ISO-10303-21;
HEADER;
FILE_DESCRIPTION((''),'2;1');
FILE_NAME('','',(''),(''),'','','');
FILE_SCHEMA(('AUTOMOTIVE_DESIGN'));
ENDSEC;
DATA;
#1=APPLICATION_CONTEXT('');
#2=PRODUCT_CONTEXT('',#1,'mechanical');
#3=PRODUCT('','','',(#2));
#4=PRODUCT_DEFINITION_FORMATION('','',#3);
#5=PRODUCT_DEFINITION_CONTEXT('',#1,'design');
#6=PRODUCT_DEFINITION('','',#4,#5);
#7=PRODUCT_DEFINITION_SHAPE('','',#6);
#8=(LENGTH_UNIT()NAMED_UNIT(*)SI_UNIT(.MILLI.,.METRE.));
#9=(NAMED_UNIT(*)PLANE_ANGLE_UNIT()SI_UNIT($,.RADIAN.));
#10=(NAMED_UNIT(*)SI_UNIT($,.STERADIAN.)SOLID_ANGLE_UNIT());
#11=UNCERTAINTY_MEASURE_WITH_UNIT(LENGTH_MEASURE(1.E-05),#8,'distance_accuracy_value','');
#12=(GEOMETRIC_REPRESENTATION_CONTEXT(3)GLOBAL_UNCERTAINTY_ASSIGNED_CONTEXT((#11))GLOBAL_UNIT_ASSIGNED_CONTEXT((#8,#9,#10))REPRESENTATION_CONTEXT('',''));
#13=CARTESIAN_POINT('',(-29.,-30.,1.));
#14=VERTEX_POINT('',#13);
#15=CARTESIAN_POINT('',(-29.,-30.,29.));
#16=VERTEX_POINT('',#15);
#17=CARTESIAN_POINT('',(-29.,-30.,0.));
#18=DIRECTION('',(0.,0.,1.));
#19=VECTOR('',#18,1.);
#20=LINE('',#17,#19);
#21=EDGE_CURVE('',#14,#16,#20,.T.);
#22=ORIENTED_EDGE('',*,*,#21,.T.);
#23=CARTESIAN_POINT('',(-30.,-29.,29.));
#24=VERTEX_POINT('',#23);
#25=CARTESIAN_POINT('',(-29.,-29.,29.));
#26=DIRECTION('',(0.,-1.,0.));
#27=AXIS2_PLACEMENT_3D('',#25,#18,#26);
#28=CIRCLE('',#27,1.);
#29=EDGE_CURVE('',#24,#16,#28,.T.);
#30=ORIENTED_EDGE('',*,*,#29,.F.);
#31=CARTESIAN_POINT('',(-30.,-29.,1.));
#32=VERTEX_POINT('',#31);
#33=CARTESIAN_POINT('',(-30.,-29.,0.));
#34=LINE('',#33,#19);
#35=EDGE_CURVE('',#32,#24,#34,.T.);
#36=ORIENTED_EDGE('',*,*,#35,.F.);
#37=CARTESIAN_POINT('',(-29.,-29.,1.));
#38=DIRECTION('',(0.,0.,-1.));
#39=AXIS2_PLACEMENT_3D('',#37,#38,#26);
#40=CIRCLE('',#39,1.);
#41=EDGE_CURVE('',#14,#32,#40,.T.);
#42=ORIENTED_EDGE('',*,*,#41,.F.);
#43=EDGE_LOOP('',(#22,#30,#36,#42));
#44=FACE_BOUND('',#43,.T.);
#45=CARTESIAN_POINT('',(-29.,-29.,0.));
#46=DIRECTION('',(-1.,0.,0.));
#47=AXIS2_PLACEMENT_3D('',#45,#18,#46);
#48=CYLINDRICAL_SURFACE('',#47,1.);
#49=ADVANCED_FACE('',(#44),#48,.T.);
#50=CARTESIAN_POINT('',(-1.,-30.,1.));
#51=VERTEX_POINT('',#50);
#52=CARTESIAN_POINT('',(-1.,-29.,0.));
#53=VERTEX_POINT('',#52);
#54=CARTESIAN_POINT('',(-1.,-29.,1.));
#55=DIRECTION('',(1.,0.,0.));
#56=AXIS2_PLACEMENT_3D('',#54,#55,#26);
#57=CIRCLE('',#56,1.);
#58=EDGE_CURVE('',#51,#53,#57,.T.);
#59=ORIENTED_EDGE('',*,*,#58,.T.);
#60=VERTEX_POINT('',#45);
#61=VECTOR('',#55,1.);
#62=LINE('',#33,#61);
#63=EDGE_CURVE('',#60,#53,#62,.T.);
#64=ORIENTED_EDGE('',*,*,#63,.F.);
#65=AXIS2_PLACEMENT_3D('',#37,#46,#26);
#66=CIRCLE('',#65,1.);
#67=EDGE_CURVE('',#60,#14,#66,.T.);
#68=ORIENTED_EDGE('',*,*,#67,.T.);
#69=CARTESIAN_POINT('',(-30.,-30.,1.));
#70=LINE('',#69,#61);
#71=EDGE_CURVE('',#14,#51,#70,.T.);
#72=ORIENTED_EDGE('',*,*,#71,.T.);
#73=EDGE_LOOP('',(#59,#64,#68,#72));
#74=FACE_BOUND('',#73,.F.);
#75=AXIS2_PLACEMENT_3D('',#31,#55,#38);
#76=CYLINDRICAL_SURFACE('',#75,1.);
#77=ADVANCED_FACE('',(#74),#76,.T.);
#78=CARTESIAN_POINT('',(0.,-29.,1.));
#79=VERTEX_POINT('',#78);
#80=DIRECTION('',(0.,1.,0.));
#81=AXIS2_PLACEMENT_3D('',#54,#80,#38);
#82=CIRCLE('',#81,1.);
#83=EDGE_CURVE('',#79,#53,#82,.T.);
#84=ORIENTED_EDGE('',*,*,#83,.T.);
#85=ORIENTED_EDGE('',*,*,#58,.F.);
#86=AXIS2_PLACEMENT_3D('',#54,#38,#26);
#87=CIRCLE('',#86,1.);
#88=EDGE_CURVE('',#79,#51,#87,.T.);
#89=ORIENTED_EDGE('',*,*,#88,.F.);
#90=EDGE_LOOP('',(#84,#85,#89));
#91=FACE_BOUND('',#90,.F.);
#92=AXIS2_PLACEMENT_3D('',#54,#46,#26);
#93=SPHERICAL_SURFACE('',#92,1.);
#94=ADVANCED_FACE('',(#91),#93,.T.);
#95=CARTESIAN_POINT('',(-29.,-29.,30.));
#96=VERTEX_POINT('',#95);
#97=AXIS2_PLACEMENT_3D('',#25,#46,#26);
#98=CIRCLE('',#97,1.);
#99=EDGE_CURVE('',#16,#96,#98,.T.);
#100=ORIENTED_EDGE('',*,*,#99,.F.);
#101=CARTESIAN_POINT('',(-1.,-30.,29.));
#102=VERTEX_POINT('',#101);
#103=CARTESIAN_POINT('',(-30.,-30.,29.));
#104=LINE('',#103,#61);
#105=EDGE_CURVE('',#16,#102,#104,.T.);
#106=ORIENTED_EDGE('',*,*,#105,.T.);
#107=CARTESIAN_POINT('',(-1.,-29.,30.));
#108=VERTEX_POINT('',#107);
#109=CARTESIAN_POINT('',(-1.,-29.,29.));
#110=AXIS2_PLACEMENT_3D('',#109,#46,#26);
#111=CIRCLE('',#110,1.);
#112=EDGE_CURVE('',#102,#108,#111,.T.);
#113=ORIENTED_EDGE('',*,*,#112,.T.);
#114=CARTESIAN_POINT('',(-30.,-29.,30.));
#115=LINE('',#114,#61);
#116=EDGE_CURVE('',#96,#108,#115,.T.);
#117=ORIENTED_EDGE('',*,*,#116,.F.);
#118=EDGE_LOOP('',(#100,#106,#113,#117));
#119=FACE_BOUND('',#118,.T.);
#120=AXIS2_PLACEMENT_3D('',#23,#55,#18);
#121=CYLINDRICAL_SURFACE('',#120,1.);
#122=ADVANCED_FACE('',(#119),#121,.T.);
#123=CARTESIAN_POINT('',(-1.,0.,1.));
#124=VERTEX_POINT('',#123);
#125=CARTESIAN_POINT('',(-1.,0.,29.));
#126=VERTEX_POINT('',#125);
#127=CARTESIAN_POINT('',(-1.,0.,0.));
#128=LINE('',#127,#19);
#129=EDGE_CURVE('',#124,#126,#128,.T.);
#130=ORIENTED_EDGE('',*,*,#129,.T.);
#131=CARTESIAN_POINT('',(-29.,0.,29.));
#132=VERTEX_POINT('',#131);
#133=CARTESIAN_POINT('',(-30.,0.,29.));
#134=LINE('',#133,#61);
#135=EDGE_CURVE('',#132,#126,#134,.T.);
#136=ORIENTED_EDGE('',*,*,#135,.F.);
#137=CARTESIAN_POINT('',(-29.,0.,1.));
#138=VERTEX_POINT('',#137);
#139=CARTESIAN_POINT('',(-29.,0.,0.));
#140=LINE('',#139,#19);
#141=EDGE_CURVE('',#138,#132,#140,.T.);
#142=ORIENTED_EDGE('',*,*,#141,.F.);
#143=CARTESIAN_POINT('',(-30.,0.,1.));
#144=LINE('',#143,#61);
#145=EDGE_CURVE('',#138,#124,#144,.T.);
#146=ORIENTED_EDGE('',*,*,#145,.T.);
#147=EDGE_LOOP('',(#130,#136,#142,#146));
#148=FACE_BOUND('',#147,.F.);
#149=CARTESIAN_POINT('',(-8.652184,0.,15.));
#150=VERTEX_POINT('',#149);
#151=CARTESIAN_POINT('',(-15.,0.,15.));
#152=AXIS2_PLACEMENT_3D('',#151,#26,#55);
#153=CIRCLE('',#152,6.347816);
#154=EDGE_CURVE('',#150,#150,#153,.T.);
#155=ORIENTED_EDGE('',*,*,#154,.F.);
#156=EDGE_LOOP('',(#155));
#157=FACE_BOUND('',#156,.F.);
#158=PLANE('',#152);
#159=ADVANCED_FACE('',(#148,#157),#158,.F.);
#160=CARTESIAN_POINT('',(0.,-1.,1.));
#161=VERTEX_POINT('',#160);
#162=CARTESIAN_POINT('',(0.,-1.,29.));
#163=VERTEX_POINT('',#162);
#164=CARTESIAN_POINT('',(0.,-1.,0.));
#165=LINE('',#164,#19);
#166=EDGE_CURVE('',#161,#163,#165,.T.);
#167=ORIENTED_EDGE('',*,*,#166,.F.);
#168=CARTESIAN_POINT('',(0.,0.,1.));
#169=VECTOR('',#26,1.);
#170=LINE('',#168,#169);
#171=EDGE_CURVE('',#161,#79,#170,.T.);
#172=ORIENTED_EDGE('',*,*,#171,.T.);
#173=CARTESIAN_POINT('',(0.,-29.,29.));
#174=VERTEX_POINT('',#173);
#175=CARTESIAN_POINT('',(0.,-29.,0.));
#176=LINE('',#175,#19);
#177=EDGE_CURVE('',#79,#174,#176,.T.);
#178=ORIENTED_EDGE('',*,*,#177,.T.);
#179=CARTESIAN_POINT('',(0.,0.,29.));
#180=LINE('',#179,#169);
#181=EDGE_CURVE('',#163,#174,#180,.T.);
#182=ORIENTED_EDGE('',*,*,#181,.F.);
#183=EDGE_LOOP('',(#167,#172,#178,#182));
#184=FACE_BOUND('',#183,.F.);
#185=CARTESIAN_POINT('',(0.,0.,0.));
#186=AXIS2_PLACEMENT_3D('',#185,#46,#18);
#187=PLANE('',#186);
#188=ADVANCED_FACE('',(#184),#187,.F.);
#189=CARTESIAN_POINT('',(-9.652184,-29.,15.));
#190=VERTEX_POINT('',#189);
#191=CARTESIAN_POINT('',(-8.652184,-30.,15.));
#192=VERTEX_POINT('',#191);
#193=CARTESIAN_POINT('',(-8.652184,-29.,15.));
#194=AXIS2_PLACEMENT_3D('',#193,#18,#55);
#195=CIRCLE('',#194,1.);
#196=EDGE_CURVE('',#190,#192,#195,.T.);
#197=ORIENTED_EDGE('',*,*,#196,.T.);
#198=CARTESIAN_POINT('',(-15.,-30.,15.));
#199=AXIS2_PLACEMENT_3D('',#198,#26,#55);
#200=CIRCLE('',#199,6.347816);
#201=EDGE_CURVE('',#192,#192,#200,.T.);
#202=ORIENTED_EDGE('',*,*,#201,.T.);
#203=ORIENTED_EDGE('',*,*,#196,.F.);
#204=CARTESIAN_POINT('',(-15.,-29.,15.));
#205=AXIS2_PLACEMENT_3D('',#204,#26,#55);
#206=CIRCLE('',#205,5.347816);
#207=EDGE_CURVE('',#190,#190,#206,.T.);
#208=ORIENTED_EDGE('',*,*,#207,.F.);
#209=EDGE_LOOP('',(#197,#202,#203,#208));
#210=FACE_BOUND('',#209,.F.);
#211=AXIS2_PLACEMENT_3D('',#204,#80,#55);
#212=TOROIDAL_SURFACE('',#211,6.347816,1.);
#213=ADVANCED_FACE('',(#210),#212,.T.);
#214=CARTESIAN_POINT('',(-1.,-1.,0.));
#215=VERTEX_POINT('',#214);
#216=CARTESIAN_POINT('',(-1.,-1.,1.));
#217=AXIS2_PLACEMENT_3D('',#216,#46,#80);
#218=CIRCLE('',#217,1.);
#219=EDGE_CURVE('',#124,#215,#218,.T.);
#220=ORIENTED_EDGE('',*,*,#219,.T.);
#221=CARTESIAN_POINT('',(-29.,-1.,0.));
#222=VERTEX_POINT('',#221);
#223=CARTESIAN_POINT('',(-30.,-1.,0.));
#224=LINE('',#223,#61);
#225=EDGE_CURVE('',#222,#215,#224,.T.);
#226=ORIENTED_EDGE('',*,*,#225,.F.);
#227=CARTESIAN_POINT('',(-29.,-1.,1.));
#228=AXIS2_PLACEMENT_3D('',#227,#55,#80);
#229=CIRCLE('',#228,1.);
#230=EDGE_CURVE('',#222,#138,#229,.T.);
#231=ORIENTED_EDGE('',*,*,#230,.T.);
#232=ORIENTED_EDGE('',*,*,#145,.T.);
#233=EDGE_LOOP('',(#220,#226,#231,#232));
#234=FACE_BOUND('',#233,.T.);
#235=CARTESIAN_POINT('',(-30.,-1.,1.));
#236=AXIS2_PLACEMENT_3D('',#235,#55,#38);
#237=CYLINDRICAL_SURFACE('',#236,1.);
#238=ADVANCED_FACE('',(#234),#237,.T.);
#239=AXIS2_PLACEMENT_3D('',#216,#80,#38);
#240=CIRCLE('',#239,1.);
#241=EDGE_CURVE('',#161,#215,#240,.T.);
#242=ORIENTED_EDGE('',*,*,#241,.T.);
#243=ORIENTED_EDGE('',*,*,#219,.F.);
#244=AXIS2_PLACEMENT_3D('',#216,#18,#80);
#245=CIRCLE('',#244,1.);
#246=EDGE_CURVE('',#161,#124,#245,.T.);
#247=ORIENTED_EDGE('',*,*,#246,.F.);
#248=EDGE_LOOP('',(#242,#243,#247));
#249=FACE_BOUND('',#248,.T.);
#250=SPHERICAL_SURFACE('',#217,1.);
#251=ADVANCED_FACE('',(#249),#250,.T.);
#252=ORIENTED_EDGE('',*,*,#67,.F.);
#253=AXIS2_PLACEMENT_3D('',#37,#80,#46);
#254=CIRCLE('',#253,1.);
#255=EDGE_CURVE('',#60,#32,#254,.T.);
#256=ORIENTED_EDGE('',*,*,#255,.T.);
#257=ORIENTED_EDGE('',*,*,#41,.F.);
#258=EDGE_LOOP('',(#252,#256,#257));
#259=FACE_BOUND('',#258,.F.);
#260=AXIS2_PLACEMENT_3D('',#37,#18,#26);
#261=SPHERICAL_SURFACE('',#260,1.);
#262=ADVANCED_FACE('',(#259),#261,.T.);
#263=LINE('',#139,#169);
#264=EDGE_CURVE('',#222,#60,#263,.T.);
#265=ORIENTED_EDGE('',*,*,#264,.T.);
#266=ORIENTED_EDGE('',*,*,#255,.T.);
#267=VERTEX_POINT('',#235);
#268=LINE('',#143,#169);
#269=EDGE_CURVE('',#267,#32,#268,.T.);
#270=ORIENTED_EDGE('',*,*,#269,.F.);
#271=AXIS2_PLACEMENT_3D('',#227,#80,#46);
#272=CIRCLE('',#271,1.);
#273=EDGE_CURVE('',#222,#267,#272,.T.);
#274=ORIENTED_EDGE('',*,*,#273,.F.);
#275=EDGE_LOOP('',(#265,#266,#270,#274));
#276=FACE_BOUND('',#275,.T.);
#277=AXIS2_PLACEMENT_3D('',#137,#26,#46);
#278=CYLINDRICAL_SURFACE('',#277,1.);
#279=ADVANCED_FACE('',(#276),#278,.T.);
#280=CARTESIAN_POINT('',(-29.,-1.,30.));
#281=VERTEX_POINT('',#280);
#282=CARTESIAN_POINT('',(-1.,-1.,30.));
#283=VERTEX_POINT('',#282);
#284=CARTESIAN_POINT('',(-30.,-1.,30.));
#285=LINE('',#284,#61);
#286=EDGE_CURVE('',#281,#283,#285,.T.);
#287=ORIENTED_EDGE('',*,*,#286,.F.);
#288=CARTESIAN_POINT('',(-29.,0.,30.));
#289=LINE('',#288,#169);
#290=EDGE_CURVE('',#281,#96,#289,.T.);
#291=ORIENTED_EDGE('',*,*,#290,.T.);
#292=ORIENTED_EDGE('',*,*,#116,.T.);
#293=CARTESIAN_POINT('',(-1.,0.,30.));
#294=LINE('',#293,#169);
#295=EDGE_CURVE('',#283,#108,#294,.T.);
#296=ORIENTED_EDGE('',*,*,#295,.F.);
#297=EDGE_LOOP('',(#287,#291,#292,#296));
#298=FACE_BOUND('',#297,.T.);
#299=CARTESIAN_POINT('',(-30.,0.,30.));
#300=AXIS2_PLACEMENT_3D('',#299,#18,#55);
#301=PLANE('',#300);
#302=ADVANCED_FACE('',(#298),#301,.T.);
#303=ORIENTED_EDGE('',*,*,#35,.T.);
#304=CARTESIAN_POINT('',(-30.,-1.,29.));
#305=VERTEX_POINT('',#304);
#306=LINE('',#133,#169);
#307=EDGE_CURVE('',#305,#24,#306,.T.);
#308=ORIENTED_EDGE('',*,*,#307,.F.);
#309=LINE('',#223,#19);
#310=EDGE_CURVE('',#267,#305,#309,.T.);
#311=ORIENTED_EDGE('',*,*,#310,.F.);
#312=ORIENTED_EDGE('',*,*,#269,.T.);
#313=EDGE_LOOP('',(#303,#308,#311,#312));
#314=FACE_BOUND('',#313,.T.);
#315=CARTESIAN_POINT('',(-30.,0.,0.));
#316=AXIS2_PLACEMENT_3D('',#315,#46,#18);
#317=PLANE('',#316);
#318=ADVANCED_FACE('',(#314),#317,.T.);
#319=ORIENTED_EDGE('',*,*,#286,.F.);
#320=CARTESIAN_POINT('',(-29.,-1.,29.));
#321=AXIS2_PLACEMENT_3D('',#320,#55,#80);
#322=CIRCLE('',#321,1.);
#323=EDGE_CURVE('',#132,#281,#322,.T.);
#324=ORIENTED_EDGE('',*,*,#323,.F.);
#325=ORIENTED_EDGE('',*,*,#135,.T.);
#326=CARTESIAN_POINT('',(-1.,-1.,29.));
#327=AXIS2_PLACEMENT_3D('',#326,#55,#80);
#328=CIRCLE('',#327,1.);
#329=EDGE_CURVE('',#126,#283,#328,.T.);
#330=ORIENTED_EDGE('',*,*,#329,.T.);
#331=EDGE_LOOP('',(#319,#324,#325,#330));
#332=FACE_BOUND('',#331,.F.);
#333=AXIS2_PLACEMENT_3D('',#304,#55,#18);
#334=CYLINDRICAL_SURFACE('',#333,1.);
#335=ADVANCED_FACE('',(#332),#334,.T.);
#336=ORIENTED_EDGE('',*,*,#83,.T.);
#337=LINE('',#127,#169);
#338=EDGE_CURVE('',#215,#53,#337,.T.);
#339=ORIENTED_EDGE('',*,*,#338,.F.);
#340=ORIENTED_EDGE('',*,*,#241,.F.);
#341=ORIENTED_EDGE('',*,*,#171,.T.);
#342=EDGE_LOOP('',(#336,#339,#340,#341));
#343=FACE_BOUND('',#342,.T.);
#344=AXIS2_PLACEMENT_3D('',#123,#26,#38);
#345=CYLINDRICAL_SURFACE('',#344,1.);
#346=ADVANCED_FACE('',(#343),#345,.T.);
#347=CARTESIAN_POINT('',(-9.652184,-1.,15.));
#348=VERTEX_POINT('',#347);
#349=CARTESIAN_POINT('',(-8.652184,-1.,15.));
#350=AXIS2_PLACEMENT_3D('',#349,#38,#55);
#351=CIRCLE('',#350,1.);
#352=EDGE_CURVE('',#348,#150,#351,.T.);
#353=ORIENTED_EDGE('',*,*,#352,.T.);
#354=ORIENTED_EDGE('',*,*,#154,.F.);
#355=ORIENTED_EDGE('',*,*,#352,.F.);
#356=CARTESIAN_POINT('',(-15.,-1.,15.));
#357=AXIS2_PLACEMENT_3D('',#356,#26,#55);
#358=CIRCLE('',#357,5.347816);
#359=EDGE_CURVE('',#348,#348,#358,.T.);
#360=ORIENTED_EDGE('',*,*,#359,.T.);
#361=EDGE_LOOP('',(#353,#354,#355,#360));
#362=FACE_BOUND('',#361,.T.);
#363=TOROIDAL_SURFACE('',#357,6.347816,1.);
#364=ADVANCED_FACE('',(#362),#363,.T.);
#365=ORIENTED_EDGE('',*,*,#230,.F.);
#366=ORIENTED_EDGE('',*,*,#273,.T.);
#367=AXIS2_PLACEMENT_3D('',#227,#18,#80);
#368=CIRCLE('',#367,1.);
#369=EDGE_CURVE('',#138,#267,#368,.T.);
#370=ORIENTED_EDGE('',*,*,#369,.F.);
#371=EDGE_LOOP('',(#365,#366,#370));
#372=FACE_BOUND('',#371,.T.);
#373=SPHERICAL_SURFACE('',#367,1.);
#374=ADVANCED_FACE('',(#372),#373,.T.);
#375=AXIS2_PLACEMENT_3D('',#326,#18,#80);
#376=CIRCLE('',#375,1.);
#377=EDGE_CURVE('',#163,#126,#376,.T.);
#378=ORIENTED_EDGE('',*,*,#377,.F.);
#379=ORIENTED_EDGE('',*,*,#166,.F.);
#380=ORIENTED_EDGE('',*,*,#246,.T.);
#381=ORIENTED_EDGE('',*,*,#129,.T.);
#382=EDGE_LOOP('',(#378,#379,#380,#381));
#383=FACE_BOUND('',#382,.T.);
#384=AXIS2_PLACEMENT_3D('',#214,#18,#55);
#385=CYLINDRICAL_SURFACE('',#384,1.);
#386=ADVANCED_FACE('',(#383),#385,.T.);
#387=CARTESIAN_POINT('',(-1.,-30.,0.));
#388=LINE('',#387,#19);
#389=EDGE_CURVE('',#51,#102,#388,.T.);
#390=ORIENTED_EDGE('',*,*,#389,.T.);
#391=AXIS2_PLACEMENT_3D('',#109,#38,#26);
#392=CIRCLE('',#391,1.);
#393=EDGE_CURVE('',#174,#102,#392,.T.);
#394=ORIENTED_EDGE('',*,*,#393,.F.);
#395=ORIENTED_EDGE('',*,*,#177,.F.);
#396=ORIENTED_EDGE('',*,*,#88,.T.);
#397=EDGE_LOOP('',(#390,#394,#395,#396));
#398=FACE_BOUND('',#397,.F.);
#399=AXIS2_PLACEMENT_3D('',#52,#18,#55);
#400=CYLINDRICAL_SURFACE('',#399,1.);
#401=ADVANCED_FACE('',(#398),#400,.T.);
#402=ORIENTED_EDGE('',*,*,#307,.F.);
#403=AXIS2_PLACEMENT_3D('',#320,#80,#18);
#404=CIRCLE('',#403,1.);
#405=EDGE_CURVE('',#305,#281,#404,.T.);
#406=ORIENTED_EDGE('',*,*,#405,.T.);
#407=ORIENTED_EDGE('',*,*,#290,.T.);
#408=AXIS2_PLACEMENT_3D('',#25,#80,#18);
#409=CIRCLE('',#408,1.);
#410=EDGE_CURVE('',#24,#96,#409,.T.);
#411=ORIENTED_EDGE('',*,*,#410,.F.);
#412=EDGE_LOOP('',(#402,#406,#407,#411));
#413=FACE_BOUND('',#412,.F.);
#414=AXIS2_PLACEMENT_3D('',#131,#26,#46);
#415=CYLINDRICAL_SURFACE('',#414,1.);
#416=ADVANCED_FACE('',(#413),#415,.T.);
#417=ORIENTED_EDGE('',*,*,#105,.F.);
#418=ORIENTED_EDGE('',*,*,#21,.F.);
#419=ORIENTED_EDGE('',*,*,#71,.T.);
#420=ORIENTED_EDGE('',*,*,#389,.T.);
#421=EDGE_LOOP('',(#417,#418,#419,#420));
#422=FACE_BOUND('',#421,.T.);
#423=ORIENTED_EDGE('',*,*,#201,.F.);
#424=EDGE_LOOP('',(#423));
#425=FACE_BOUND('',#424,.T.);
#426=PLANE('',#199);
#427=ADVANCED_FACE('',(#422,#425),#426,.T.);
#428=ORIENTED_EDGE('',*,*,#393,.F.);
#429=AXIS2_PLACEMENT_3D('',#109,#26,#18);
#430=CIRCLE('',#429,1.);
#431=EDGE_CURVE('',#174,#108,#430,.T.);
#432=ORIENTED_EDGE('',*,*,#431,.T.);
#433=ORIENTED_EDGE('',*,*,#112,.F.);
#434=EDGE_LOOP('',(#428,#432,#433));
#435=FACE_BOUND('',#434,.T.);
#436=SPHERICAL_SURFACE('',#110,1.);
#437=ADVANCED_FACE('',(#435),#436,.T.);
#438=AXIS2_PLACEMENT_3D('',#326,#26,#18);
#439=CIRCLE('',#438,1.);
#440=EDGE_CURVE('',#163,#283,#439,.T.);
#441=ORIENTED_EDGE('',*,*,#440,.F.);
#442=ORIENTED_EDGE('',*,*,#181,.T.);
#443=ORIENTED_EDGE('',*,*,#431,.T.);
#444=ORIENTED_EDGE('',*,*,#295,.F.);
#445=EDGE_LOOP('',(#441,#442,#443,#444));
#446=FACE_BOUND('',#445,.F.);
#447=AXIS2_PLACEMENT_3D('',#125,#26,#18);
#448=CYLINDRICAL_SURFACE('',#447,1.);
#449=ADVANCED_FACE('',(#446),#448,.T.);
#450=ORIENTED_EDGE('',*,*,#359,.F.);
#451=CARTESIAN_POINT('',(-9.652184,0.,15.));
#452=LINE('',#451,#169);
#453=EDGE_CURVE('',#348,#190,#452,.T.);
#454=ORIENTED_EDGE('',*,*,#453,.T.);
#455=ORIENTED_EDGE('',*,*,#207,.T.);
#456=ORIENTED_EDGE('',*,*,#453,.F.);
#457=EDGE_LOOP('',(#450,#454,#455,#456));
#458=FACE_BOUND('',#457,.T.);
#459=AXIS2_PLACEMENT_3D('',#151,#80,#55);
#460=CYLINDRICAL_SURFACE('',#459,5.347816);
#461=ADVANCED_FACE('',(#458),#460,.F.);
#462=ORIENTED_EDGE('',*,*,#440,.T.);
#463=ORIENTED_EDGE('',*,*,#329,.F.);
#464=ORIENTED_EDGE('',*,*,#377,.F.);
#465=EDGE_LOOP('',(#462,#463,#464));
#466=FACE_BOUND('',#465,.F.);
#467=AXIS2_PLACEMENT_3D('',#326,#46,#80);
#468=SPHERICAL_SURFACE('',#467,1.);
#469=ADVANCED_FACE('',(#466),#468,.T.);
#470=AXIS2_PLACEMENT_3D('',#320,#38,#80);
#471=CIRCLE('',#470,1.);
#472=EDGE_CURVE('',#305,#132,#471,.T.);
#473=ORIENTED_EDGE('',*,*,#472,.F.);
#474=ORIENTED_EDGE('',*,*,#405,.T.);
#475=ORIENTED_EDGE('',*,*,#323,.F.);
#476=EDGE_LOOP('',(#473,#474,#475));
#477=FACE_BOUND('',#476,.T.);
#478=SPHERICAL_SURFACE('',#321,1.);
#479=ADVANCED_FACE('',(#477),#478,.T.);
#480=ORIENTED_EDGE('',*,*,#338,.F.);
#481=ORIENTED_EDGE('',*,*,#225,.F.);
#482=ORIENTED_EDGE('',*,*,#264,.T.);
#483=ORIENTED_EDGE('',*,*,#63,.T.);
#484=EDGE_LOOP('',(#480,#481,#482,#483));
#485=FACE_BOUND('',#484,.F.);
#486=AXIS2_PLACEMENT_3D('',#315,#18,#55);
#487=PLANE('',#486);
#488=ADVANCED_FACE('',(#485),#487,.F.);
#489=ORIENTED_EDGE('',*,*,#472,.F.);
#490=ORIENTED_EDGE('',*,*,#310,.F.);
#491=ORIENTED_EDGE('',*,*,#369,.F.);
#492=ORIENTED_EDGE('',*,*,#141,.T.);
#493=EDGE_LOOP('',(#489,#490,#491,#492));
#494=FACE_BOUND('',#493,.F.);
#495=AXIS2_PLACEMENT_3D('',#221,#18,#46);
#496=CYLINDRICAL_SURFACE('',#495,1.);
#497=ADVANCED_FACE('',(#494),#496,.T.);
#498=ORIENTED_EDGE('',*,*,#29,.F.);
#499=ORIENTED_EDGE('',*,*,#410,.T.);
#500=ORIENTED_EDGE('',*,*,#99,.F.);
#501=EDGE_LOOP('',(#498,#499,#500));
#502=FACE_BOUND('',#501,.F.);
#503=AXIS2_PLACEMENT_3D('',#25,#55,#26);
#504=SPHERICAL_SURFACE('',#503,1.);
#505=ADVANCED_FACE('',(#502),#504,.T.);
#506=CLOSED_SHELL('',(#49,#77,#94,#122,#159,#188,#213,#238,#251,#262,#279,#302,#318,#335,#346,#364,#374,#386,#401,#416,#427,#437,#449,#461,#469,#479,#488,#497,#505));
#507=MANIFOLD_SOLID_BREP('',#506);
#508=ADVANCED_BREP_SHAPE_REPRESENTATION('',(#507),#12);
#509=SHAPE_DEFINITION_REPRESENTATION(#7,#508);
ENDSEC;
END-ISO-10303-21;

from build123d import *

# Parameters (mm, degrees)
F0_W     = 30
F0_H     = 30
F0_R     = 5.347816
F1_DEPTH = 30
F2_R     = 1


with BuildPart() as f1:
    # F0 (on Front) → F1 (new body)
    with BuildSketch(Plane.XZ):
        with Locations((-15, 15)):
            Rectangle(F0_W, F0_H)
        with Locations((-15, 15)):
            Circle(F0_R, mode=Mode.SUBTRACT)
    extrude(amount=F1_DEPTH)

    # F2
    f2_edges = [f1.edges().sort_by_distance(p)[0] for p in [
        (-20.347816, -30, 15),
        (-15, -30, 30),
        (-30, -30, 15),
        (-15, -30, 0),
        (0, -30, 15),
        (-15, 0, 30),
        (-30, 0, 15),
        (-15, 0, 0),
        (0, 0, 15),
        (-20.347816, 0, 15),
        (-30, -15, 0),
        (0, -15, 0),
        (-30, -15, 30),
        (0, -15, 30),
        (-9.652184, -15, 15),
    ]]
    fillet(f2_edges, radius=F2_R)


solid = f1.part
